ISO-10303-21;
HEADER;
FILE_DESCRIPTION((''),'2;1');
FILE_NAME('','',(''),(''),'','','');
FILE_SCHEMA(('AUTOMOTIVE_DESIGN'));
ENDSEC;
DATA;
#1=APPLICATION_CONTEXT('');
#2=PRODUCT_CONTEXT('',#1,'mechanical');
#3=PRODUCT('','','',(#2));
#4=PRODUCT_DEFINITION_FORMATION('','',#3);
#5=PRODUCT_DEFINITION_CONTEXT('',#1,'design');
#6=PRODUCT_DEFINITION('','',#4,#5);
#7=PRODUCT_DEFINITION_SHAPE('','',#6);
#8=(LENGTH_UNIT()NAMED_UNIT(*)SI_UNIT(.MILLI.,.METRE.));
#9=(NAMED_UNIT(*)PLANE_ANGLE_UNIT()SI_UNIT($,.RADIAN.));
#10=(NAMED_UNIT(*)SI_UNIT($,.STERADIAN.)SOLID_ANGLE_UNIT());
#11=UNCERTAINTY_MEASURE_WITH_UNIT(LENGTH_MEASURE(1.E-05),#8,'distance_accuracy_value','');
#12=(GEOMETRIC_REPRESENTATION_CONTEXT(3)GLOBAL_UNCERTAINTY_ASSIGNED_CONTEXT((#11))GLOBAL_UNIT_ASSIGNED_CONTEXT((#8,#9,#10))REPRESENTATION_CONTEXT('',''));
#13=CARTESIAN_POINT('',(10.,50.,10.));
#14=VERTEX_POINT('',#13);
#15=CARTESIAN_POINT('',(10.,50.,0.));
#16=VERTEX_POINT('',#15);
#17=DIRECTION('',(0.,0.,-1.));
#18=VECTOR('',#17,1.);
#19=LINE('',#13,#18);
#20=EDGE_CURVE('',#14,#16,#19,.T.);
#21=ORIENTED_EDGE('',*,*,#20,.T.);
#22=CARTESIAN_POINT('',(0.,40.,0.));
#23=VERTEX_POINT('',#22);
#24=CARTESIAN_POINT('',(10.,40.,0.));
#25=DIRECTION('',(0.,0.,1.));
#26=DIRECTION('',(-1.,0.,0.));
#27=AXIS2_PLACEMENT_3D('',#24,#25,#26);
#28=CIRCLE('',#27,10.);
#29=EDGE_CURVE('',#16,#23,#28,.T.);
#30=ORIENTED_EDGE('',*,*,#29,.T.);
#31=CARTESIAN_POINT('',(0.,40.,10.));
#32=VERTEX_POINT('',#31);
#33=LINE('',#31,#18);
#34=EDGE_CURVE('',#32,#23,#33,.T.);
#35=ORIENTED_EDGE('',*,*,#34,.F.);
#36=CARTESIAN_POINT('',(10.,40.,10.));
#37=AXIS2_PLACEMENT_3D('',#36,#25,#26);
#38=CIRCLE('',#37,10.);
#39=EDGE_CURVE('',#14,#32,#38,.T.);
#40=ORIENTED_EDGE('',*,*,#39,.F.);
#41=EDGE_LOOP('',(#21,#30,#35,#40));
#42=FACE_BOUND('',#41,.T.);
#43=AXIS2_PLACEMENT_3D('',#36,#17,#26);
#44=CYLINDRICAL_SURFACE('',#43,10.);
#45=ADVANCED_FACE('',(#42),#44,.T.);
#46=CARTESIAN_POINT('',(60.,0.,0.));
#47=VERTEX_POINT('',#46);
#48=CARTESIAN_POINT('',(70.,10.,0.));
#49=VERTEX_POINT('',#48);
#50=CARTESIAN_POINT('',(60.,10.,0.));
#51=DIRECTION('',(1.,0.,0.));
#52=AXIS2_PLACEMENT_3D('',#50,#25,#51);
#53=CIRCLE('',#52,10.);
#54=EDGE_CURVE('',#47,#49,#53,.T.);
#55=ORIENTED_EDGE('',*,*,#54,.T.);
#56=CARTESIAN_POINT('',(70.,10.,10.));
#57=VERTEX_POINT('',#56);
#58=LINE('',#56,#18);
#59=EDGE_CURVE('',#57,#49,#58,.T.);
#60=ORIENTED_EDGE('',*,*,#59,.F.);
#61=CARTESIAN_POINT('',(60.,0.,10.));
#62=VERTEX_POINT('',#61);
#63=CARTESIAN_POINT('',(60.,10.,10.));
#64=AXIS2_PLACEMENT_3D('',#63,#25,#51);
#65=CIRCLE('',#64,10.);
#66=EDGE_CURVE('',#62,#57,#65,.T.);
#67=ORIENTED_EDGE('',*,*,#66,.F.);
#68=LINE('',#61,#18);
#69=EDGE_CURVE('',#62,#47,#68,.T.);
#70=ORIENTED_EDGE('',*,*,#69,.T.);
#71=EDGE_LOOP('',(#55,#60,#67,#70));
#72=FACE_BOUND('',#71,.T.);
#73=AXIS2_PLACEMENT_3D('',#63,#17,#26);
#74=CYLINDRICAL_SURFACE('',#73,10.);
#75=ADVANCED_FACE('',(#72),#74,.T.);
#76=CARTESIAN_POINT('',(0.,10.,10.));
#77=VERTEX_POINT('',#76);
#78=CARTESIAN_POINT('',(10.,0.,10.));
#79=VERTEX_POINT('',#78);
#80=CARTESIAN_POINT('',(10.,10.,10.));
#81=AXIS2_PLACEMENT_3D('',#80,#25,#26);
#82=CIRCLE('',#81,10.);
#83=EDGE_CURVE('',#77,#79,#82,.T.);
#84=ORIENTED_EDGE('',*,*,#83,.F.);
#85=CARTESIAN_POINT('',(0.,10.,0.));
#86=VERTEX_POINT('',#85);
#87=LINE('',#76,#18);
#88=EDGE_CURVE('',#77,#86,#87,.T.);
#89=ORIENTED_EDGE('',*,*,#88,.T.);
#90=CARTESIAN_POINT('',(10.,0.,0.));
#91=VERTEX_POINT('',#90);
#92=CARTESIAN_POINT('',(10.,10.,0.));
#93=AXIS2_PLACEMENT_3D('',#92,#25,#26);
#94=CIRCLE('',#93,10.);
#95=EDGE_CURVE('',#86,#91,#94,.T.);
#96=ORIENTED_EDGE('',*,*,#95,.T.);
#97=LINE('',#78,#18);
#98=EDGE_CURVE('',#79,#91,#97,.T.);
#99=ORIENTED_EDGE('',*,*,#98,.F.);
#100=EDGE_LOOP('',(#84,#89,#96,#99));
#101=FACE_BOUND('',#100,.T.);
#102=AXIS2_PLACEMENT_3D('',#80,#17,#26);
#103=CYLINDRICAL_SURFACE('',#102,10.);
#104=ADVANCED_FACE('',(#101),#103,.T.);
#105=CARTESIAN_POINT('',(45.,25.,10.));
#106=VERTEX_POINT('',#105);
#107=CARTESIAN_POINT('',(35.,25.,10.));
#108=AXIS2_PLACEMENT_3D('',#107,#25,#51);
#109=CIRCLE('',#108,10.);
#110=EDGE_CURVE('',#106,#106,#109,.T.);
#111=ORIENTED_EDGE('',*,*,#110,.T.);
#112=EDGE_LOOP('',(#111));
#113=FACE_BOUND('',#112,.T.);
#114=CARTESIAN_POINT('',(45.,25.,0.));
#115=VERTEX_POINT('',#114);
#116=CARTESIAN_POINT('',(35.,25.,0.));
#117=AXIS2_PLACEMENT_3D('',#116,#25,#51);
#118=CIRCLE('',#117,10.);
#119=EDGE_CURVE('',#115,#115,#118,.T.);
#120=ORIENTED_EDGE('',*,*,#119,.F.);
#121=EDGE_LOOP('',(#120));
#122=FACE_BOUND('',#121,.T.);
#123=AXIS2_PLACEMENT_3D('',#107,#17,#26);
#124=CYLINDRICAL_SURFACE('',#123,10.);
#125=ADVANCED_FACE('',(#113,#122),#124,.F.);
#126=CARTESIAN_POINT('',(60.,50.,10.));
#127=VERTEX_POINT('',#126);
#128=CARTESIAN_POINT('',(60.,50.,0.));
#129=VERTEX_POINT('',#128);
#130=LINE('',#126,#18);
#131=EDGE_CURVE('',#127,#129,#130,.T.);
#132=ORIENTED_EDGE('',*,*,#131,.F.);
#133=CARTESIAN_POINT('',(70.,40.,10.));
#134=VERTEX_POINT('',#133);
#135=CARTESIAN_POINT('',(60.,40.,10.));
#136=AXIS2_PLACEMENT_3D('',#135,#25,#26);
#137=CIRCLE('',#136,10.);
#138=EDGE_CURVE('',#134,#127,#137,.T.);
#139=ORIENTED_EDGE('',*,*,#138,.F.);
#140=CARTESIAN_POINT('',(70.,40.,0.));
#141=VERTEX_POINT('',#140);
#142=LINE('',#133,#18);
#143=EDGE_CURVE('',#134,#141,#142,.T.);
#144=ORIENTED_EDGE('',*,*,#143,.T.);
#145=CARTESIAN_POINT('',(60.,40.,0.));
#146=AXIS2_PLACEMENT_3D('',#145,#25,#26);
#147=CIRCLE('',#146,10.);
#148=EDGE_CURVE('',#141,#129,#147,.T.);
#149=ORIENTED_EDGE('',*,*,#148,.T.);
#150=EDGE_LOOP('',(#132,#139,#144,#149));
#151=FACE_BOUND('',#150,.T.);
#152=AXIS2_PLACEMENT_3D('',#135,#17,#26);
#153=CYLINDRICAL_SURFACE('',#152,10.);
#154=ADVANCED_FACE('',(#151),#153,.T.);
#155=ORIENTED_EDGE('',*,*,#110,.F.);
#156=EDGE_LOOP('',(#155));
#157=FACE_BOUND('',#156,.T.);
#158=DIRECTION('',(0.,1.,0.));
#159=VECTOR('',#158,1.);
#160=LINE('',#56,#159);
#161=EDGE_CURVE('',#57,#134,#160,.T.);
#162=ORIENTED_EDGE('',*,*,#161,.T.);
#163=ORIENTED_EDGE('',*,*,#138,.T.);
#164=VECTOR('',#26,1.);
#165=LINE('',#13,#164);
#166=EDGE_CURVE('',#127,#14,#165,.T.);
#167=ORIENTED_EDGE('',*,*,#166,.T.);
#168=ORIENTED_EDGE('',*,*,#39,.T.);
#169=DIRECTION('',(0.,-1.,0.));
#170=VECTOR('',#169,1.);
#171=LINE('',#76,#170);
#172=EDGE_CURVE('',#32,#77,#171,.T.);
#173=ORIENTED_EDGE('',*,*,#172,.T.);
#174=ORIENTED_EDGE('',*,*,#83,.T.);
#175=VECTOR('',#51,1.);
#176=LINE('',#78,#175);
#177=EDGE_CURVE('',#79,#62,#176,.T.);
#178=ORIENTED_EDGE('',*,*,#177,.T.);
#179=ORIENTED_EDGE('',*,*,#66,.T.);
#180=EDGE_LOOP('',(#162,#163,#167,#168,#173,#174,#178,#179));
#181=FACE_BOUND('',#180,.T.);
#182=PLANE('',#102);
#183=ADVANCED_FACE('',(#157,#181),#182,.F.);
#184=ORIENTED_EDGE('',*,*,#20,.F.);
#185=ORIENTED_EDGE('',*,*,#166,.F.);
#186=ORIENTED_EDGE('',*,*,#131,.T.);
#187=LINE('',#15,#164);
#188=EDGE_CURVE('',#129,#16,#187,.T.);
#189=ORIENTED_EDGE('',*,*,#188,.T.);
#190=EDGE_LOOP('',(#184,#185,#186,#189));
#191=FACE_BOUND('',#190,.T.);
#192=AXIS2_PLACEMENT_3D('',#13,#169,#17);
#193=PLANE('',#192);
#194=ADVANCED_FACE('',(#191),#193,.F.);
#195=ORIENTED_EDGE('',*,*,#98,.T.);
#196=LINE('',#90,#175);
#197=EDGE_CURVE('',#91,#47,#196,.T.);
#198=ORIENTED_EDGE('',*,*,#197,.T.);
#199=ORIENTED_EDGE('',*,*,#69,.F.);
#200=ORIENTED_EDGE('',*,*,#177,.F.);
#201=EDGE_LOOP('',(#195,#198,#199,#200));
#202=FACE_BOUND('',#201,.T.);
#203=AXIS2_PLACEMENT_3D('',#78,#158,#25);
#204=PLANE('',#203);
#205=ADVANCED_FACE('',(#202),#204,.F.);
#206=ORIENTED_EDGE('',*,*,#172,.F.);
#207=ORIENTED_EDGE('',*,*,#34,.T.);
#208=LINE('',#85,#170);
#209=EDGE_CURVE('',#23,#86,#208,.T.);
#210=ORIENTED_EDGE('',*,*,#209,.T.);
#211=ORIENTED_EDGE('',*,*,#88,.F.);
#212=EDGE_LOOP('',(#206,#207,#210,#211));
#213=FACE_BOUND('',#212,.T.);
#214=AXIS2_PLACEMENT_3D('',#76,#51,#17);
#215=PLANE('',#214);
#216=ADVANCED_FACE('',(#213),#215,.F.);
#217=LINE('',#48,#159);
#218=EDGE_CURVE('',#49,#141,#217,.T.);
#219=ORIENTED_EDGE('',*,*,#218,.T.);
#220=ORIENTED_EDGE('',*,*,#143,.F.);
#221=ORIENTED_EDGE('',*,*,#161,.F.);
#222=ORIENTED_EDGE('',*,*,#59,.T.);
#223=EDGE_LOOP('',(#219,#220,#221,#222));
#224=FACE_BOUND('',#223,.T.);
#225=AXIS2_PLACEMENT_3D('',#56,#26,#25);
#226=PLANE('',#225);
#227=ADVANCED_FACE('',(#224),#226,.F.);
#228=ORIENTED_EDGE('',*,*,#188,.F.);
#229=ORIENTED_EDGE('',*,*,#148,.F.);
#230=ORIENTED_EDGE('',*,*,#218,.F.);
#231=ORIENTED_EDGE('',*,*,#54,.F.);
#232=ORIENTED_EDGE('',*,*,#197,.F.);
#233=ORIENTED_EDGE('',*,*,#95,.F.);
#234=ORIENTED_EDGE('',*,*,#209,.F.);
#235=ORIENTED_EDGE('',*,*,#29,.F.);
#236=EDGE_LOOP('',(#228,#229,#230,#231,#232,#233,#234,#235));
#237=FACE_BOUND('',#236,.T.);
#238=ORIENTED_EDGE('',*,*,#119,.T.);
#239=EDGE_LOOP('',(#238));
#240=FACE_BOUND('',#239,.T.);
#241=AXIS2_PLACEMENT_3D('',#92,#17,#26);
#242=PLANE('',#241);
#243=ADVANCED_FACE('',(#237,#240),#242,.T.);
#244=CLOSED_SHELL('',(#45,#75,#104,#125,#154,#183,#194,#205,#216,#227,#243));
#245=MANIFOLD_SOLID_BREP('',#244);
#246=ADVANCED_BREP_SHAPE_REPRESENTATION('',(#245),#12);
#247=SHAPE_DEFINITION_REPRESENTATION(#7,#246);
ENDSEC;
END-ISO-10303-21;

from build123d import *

# Parameters (mm, degrees)
SKETCH_1_R      = 10
EXTRUDE_1_DEPTH = 10


with BuildPart() as part:
    # Эскиз1 → Бобышка-Вытянуть1 (new body)
    with BuildSketch(Plane.XY):
        with BuildLine():
            Line((10, 0), (60, 0))
            ThreePointArc((60, 0), (67.071067812, 2.928932188), (70, 10))
            Line((70, 10), (70, 40))
            ThreePointArc((70, 40), (67.071067812, 47.071067812), (60, 50))
            Line((60, 50), (10, 50))
            ThreePointArc((10, 50), (2.928932188, 47.071067812), (0, 40))
            Line((0, 40), (0, 10))
            ThreePointArc((0, 10), (2.928932188, 2.928932188), (10, 0))
        make_face()
        with Locations((35, 25)):
            Circle(SKETCH_1_R, mode=Mode.SUBTRACT)
    extrude(amount=EXTRUDE_1_DEPTH)


solid = part.part
